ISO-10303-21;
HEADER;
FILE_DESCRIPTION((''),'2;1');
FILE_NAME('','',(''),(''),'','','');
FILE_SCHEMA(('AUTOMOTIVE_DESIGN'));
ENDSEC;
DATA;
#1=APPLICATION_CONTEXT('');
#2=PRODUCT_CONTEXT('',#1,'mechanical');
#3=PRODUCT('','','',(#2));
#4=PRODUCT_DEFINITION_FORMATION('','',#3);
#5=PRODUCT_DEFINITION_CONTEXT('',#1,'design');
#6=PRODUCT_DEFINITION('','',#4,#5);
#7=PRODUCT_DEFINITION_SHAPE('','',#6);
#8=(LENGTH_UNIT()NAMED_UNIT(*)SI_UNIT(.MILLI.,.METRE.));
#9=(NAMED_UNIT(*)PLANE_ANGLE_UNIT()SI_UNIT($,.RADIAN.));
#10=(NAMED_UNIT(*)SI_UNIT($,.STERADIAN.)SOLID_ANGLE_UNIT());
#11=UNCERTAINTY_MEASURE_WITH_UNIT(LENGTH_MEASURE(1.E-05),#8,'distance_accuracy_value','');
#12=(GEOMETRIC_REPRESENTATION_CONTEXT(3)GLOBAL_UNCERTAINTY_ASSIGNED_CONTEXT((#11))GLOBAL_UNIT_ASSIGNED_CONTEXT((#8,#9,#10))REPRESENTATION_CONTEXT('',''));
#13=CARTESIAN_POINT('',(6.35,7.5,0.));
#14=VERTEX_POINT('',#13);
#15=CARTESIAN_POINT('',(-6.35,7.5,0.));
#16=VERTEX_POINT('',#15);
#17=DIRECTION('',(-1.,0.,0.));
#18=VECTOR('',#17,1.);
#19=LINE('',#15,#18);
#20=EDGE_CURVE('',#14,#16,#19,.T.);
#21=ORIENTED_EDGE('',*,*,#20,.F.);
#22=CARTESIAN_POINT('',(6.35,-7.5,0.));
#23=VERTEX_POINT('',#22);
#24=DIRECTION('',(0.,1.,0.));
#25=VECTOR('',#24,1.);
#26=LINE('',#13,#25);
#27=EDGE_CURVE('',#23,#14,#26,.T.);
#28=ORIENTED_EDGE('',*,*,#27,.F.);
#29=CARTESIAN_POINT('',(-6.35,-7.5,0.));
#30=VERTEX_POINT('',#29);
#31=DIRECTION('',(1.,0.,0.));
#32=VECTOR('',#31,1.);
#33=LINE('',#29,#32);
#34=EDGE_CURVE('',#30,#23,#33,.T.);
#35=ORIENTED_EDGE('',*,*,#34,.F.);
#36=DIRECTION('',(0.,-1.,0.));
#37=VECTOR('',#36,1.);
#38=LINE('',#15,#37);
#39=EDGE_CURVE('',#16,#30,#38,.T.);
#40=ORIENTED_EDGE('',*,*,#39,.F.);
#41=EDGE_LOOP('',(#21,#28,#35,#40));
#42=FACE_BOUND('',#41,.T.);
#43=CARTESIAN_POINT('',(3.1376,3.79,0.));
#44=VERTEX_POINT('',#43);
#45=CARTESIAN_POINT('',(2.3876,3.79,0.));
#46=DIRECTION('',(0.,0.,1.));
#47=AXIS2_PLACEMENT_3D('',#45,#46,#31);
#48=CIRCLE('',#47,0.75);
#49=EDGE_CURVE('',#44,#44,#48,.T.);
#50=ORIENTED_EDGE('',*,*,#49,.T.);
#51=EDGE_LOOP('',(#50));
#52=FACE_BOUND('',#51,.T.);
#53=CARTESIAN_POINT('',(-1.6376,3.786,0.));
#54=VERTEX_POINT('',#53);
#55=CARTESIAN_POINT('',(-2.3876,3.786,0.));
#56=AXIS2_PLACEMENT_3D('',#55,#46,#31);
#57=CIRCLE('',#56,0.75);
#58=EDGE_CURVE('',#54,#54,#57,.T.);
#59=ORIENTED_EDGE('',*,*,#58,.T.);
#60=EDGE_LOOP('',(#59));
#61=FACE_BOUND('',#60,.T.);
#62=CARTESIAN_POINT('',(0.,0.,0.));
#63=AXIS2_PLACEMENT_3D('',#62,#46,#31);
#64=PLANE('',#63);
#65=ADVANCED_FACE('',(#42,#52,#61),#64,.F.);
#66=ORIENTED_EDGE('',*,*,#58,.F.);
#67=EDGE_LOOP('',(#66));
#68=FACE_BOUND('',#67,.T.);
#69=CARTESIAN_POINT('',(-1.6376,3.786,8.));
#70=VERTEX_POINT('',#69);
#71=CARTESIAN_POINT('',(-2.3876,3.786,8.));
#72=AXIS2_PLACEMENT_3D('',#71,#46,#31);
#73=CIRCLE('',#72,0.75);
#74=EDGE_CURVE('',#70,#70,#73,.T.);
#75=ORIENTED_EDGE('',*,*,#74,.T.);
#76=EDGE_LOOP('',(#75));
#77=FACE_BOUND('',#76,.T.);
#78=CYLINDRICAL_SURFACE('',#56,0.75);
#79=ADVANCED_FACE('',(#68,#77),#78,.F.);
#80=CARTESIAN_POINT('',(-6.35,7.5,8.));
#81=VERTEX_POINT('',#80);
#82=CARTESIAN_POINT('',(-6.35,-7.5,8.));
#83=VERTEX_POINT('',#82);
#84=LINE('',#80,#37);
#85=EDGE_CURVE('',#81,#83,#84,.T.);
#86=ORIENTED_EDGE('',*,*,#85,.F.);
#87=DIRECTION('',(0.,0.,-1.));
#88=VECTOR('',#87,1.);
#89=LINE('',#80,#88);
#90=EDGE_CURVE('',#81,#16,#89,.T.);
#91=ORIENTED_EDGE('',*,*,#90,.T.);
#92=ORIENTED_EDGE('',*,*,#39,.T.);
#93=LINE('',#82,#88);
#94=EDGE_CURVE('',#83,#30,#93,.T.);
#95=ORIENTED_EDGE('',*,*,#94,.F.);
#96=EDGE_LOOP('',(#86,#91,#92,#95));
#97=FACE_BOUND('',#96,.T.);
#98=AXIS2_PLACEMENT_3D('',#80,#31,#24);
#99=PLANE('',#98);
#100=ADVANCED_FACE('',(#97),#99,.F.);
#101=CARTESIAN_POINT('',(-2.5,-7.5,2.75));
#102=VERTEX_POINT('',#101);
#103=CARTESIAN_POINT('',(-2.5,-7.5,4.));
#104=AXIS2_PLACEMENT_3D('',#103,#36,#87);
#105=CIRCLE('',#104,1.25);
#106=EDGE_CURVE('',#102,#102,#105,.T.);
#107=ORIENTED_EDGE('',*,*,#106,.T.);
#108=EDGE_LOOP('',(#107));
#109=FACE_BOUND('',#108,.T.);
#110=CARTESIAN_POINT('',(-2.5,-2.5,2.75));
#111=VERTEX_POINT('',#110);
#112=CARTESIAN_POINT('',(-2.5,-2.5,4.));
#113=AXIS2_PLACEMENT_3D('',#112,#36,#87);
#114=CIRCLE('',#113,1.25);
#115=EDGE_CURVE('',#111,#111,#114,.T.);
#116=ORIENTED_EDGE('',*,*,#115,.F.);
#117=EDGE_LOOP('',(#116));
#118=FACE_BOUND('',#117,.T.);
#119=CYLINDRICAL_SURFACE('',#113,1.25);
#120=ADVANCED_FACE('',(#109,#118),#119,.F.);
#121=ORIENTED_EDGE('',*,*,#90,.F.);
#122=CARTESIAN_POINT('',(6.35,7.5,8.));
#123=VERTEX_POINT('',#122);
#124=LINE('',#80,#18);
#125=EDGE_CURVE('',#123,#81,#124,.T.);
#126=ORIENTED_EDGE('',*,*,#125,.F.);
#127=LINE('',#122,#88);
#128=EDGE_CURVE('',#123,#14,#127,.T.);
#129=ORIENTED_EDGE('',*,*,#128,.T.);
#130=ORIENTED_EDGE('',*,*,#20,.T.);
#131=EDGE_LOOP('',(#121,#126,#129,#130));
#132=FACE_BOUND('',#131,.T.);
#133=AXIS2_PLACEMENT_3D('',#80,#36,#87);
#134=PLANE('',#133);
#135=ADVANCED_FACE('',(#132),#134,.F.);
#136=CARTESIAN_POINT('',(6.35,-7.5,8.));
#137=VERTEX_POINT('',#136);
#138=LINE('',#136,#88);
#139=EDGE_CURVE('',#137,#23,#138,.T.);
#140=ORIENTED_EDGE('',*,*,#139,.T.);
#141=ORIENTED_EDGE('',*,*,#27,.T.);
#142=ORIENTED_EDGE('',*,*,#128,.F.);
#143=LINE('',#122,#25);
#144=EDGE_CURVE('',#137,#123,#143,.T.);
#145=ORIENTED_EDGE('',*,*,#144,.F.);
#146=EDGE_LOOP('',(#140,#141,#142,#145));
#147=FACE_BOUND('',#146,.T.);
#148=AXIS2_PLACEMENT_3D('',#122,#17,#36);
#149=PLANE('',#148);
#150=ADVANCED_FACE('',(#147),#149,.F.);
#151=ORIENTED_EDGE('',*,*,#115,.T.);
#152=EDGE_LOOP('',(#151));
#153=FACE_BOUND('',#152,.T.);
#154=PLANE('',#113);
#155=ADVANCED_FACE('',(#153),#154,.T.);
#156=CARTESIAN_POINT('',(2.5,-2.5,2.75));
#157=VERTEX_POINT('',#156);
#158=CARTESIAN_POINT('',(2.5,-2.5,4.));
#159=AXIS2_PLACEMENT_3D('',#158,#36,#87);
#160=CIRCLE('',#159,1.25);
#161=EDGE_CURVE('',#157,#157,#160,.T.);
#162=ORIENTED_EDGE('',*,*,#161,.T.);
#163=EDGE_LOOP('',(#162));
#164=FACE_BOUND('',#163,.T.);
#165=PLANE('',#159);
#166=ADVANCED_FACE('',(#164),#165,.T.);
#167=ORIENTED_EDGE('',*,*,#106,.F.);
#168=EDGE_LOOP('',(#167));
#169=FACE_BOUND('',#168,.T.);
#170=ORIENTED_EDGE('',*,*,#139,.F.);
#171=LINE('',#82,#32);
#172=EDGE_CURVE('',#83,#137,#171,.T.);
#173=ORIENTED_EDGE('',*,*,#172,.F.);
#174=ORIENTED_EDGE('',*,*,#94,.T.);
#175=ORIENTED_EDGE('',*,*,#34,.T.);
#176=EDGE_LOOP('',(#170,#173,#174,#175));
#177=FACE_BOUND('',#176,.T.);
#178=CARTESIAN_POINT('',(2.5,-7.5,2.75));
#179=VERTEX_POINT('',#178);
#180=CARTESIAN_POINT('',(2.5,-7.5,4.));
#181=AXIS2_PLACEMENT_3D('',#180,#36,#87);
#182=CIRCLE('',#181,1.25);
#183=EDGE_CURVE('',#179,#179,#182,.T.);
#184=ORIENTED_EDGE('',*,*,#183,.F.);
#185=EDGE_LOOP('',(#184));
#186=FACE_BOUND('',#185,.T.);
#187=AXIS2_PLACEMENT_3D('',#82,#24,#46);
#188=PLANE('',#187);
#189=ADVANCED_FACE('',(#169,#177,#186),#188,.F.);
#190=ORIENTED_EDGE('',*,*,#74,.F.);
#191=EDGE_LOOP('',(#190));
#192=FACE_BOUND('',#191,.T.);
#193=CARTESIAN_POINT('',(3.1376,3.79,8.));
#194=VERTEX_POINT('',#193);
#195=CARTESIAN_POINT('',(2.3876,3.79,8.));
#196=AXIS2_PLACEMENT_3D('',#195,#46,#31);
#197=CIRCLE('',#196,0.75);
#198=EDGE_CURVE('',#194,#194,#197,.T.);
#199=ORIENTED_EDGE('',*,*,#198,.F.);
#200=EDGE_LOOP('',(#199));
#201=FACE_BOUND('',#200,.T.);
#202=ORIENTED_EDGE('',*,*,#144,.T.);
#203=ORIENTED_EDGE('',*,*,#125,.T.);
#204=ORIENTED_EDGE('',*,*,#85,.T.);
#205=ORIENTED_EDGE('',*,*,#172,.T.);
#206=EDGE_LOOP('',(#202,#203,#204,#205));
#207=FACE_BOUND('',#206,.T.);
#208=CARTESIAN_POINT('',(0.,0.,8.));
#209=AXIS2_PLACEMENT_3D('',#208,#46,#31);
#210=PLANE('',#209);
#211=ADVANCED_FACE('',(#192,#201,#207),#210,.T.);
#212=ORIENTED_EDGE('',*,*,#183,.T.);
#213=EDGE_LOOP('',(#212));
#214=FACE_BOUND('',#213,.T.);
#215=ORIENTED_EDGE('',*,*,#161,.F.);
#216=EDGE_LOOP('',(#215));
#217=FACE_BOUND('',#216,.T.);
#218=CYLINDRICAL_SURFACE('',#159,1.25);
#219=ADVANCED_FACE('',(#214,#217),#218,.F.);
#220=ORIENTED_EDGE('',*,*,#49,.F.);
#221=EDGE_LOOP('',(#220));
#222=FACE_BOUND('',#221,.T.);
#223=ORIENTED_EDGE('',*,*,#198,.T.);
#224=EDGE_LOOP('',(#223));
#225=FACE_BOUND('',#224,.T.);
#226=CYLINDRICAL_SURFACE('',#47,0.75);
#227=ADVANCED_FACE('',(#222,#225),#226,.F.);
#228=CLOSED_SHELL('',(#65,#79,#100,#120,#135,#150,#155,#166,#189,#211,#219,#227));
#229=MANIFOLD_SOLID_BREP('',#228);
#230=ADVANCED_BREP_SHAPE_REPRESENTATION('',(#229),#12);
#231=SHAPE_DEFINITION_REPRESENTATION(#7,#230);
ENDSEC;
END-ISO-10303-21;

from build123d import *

# Parameters (mm, degrees)
SKETCH_1_W          = 12.7
SKETCH_1_H          = 15
EXTRUDE_1_DEPTH     = 8
SKETCH_2_R          = 0.75
CUT_EXTRUDE_1_DEPTH = 8
SKETCH_3_R          = 1.25
CUT_EXTRUDE_2_DEPTH = 5


with BuildPart() as part:
    # Эскиз1 → Бобышка-Вытянуть1 (new body)
    with BuildSketch(Plane.XY):
        Rectangle(SKETCH_1_W, SKETCH_1_H)
    extrude(amount=EXTRUDE_1_DEPTH)

    # Эскиз2 → Вырез-Вытянуть1 (cut)
    with BuildSketch(Plane.XY.offset(8)):
        with Locations((-2.3876, 3.786)):
            Circle(SKETCH_2_R)
        with Locations((2.3876, 3.79)):
            Circle(SKETCH_2_R)
    extrude(amount=-CUT_EXTRUDE_1_DEPTH, mode=Mode.SUBTRACT)

    # Эскиз3 → Вырез-Вытянуть2 (cut)
    with BuildSketch(Plane.XZ.offset(7.5)):
        with Locations(Location((-2.5, 4, 0), (0, 0, 270))):
            Circle(SKETCH_3_R)
        with Locations(Location((2.5, 4, 0), (0, 0, 270))):
            Circle(SKETCH_3_R)
    extrude(amount=-CUT_EXTRUDE_2_DEPTH, mode=Mode.SUBTRACT)


solid = part.part
